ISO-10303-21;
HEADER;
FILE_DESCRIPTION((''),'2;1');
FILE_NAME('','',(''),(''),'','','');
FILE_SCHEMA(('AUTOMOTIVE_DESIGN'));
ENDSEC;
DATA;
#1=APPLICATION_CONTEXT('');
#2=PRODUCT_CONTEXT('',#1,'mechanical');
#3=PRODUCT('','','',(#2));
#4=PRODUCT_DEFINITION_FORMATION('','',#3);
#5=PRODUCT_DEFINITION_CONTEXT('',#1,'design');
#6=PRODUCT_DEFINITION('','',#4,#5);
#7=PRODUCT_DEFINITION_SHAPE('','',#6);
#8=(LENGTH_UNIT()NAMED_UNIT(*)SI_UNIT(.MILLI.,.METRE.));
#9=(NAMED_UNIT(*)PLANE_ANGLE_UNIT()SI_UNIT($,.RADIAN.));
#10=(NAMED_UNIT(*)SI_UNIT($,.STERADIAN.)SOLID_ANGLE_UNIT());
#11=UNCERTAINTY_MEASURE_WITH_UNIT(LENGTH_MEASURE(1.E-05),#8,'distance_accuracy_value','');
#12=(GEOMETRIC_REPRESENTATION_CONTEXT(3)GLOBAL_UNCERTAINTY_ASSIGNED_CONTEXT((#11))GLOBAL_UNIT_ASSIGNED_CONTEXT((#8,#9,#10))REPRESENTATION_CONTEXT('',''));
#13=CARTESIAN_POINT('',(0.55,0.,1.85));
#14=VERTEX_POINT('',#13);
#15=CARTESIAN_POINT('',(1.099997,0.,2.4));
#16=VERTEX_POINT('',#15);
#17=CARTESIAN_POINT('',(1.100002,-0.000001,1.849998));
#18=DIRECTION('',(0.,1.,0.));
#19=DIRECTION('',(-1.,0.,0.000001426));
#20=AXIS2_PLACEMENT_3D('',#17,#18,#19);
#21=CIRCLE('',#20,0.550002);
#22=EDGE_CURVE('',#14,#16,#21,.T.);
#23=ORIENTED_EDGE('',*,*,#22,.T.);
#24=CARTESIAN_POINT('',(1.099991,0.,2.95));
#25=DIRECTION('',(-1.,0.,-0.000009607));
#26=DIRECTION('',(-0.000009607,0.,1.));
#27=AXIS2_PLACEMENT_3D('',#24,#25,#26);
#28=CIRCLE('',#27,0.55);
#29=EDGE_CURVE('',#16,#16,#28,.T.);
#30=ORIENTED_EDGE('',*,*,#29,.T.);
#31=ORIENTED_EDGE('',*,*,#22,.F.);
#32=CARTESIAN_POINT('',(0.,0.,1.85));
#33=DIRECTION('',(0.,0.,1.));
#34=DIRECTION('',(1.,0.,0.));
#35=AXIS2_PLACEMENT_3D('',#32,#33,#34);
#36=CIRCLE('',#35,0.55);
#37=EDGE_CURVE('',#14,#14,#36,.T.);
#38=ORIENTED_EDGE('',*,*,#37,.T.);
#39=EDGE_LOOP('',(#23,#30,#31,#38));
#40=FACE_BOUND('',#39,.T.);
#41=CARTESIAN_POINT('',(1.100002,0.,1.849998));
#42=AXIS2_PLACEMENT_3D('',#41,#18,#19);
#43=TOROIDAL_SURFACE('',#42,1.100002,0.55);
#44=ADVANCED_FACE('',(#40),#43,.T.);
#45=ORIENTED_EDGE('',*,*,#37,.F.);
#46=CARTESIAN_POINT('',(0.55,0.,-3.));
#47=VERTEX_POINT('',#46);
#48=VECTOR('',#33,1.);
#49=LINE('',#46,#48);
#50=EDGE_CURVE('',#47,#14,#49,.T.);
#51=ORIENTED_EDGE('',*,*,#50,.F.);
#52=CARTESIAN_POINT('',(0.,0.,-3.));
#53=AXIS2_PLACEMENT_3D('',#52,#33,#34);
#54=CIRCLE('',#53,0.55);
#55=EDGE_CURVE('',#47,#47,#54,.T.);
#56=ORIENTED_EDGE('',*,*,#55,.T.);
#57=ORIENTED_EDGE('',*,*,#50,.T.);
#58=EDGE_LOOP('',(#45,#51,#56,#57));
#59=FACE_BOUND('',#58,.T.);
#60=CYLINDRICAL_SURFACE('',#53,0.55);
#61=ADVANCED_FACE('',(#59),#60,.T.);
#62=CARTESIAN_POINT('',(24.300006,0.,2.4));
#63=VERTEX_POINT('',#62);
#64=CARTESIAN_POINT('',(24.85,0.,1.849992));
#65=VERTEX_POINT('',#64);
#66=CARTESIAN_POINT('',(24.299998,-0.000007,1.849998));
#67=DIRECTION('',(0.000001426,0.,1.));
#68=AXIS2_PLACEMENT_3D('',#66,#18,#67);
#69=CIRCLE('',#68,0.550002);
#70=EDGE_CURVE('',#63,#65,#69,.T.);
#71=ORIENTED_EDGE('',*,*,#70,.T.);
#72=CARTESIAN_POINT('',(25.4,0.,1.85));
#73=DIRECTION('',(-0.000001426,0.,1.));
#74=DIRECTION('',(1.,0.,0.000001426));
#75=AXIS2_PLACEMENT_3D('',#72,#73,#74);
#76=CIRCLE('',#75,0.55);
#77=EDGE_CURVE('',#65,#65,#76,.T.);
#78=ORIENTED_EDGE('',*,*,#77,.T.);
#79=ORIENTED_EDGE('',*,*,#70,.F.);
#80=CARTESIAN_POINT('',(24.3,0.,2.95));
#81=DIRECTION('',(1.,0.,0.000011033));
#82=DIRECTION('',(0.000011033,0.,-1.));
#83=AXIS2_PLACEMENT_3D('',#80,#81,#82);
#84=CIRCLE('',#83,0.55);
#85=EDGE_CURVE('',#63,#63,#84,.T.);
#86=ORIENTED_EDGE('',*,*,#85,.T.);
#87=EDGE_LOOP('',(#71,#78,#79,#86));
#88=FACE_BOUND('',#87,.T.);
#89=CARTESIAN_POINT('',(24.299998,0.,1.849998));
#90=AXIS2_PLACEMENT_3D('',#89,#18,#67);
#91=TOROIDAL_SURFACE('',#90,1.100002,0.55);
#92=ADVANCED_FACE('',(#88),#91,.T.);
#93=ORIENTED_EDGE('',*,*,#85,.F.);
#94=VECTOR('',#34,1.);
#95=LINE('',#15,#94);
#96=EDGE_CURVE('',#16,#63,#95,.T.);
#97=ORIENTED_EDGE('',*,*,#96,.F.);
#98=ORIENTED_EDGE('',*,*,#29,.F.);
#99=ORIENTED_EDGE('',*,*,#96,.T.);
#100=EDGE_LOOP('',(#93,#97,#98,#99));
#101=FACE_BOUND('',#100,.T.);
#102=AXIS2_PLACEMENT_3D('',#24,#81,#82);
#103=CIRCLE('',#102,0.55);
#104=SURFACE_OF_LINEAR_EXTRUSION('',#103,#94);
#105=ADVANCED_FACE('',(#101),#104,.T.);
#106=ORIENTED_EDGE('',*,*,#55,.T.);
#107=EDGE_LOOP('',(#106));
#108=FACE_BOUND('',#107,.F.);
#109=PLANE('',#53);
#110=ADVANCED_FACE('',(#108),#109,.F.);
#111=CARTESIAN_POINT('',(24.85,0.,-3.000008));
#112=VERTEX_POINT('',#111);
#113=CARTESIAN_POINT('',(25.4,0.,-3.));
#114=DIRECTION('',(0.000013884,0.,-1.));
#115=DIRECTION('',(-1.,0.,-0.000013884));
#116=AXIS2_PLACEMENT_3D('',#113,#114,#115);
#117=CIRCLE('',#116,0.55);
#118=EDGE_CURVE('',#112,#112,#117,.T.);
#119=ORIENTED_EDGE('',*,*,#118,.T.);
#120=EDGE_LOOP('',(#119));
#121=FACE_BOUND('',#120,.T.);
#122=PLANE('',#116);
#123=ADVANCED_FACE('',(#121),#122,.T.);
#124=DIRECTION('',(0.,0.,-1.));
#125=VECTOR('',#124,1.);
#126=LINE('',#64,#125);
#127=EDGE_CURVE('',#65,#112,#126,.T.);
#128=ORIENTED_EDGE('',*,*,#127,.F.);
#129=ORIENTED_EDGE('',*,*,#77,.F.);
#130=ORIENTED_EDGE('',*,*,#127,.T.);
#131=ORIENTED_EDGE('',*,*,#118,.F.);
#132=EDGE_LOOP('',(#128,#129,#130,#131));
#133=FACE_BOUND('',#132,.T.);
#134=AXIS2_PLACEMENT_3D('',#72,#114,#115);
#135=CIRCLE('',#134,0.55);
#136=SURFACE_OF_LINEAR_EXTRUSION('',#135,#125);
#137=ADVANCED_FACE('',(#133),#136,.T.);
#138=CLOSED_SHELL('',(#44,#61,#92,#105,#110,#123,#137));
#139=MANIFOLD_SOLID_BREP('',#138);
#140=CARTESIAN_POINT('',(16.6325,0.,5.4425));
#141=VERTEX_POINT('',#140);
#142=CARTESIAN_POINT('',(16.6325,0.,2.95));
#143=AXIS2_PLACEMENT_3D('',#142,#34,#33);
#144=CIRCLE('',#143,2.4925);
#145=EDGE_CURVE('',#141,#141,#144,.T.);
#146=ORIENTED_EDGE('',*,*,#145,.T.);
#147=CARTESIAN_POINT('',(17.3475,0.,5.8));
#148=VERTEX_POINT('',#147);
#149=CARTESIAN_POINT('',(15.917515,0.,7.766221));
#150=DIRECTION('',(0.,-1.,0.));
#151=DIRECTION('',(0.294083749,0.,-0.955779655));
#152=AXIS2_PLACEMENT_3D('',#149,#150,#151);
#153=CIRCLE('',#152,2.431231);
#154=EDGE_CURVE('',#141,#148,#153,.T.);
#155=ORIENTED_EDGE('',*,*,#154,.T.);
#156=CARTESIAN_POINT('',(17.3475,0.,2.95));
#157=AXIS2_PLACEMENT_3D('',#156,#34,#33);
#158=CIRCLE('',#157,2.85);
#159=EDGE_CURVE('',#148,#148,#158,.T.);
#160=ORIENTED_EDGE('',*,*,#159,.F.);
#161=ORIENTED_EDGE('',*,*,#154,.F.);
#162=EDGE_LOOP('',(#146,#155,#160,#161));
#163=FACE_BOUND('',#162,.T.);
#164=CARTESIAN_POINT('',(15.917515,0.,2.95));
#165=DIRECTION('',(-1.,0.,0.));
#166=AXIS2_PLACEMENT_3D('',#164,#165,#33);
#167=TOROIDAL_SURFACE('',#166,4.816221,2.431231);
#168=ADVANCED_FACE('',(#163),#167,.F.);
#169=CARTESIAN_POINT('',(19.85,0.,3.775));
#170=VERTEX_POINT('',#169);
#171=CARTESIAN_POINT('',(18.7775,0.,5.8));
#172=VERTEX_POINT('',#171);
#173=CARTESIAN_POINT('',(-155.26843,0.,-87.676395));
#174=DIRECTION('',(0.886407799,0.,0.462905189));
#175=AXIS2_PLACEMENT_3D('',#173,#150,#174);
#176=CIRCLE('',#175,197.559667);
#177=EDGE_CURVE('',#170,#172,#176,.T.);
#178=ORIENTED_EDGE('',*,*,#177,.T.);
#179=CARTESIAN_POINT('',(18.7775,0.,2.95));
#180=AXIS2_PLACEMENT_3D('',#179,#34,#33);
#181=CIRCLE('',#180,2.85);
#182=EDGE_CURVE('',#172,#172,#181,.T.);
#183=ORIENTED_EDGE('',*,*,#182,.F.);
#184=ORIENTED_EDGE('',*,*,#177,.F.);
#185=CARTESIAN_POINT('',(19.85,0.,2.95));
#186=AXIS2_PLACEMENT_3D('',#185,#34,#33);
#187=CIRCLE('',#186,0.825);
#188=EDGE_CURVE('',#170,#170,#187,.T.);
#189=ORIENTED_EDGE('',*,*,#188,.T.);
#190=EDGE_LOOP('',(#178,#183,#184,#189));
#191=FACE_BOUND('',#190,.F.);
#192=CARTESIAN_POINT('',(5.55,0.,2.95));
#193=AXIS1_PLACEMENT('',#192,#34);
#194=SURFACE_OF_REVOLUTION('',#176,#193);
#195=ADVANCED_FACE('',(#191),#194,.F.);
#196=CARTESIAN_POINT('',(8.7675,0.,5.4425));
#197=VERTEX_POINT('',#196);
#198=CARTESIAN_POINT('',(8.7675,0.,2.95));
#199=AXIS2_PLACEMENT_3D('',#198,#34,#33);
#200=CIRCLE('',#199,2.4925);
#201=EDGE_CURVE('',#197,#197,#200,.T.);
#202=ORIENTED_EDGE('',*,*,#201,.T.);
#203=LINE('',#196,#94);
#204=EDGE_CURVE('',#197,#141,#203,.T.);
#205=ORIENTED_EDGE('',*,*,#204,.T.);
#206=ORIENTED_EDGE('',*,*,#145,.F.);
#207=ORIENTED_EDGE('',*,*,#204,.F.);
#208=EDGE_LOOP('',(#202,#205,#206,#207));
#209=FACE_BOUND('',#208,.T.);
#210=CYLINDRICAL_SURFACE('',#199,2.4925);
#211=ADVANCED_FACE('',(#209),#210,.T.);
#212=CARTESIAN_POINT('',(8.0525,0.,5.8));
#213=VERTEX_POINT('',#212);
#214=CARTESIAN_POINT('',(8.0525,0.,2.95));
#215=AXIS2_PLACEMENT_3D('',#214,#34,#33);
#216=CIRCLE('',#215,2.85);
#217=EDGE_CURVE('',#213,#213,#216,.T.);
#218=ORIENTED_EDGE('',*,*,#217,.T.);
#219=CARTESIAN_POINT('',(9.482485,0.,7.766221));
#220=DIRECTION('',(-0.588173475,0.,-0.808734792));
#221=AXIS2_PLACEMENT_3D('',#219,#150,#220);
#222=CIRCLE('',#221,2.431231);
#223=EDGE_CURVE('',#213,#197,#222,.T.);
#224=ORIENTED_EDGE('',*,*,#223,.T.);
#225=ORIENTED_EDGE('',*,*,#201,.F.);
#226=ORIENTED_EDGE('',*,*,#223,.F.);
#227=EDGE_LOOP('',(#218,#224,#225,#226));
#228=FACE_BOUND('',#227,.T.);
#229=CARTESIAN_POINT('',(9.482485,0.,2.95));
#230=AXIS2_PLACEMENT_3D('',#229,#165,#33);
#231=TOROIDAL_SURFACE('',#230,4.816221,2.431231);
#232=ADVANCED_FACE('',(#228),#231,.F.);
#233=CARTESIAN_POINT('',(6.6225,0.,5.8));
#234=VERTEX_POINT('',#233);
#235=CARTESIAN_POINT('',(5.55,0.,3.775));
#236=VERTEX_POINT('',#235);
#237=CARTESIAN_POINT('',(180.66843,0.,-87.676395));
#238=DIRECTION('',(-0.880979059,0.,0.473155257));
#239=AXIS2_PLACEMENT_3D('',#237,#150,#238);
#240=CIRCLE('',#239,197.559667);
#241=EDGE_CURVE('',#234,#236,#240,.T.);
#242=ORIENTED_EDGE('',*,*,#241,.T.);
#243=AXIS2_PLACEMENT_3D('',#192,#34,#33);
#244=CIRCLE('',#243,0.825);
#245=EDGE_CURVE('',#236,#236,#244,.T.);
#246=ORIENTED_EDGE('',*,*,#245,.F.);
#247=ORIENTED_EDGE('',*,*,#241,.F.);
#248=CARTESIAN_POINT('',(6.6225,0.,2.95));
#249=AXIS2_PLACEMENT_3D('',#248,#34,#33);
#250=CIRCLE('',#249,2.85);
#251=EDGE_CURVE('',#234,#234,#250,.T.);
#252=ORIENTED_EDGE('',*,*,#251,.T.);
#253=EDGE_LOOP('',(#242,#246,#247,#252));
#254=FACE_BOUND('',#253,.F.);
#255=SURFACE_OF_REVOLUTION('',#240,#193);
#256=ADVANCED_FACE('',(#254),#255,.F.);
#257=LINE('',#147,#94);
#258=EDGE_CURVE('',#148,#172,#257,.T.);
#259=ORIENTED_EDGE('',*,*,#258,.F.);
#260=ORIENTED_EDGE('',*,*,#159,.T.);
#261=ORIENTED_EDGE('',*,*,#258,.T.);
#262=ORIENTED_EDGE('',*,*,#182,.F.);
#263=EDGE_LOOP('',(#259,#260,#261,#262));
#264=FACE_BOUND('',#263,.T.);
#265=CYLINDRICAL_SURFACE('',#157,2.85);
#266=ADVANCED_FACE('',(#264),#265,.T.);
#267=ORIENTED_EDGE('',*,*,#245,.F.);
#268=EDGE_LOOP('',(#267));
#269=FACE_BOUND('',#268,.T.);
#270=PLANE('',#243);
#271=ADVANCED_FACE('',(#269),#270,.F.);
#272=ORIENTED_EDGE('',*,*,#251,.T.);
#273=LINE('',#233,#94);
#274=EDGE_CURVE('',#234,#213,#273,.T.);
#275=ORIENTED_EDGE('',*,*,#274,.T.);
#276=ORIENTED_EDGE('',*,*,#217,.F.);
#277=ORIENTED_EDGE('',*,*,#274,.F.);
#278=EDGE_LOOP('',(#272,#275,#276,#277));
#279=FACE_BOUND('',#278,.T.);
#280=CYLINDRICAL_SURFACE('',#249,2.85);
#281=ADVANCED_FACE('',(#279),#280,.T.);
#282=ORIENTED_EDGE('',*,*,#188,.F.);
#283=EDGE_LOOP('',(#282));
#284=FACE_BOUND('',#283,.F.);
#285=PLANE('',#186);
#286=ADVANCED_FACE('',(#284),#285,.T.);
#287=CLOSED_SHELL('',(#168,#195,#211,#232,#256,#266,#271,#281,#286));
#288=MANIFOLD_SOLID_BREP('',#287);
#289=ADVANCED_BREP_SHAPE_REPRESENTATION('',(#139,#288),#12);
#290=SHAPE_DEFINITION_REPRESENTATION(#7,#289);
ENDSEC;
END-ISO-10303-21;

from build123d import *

# Parameters (mm, degrees)
SKETCH_R = 0.55


with BuildPart() as revolution:
    # Sketch002 → Revolution (revolve)
    with BuildSketch(Plane.XZ):
        with BuildLine():
            Line((6.6225, 5.8), (8.0525, 5.8))
            ThreePointArc((8.0525, 5.8), (8.395206, 5.591662), (8.7675, 5.4425))
            Line((8.7675, 5.4425), (16.6325, 5.4425))
            ThreePointArc((16.6325, 5.4425), (17.004794, 5.591662), (17.3475, 5.8))
            Line((17.3475, 5.8), (18.7775, 5.8))
            ThreePointArc((19.85, 3.775), (19.316686, 4.789055), (18.7775, 5.8))
            Line((19.85, 2.95), (19.85, 3.775))
            Line((5.55, 2.95), (19.85, 2.95))
            Line((5.55, 2.95), (5.55, 3.775))
            ThreePointArc((6.6225, 5.8), (6.083314, 4.789055), (5.55, 3.775))
        make_face()
    revolve(axis=Axis((5.55, 0, 2.95), (1, 0, 0)))


with BuildPart() as sweep_body:
    # Sweep: sweep along a path in Sketch001
    with BuildLine(Plane.XZ) as sweep_path:
        Line((0, -3), (0, 1.85))
        ThreePointArc((0, 1.85), (0.32218, 2.627814), (1.099991, 2.95))
        Line((1.099991, 2.95), (24.3, 2.95))
        ThreePointArc((24.3, 2.95), (25.077817, 2.627817), (25.4, 1.85))
        Line((25.4, 1.85), (25.4, -3))
    # Sketch → Sweep (sweep)
    with BuildSketch(Plane.XY.offset(-2)):
        Circle(SKETCH_R)
    sweep(path=sweep_path.line)


solid = Compound([revolution.part, sweep_body.part])
